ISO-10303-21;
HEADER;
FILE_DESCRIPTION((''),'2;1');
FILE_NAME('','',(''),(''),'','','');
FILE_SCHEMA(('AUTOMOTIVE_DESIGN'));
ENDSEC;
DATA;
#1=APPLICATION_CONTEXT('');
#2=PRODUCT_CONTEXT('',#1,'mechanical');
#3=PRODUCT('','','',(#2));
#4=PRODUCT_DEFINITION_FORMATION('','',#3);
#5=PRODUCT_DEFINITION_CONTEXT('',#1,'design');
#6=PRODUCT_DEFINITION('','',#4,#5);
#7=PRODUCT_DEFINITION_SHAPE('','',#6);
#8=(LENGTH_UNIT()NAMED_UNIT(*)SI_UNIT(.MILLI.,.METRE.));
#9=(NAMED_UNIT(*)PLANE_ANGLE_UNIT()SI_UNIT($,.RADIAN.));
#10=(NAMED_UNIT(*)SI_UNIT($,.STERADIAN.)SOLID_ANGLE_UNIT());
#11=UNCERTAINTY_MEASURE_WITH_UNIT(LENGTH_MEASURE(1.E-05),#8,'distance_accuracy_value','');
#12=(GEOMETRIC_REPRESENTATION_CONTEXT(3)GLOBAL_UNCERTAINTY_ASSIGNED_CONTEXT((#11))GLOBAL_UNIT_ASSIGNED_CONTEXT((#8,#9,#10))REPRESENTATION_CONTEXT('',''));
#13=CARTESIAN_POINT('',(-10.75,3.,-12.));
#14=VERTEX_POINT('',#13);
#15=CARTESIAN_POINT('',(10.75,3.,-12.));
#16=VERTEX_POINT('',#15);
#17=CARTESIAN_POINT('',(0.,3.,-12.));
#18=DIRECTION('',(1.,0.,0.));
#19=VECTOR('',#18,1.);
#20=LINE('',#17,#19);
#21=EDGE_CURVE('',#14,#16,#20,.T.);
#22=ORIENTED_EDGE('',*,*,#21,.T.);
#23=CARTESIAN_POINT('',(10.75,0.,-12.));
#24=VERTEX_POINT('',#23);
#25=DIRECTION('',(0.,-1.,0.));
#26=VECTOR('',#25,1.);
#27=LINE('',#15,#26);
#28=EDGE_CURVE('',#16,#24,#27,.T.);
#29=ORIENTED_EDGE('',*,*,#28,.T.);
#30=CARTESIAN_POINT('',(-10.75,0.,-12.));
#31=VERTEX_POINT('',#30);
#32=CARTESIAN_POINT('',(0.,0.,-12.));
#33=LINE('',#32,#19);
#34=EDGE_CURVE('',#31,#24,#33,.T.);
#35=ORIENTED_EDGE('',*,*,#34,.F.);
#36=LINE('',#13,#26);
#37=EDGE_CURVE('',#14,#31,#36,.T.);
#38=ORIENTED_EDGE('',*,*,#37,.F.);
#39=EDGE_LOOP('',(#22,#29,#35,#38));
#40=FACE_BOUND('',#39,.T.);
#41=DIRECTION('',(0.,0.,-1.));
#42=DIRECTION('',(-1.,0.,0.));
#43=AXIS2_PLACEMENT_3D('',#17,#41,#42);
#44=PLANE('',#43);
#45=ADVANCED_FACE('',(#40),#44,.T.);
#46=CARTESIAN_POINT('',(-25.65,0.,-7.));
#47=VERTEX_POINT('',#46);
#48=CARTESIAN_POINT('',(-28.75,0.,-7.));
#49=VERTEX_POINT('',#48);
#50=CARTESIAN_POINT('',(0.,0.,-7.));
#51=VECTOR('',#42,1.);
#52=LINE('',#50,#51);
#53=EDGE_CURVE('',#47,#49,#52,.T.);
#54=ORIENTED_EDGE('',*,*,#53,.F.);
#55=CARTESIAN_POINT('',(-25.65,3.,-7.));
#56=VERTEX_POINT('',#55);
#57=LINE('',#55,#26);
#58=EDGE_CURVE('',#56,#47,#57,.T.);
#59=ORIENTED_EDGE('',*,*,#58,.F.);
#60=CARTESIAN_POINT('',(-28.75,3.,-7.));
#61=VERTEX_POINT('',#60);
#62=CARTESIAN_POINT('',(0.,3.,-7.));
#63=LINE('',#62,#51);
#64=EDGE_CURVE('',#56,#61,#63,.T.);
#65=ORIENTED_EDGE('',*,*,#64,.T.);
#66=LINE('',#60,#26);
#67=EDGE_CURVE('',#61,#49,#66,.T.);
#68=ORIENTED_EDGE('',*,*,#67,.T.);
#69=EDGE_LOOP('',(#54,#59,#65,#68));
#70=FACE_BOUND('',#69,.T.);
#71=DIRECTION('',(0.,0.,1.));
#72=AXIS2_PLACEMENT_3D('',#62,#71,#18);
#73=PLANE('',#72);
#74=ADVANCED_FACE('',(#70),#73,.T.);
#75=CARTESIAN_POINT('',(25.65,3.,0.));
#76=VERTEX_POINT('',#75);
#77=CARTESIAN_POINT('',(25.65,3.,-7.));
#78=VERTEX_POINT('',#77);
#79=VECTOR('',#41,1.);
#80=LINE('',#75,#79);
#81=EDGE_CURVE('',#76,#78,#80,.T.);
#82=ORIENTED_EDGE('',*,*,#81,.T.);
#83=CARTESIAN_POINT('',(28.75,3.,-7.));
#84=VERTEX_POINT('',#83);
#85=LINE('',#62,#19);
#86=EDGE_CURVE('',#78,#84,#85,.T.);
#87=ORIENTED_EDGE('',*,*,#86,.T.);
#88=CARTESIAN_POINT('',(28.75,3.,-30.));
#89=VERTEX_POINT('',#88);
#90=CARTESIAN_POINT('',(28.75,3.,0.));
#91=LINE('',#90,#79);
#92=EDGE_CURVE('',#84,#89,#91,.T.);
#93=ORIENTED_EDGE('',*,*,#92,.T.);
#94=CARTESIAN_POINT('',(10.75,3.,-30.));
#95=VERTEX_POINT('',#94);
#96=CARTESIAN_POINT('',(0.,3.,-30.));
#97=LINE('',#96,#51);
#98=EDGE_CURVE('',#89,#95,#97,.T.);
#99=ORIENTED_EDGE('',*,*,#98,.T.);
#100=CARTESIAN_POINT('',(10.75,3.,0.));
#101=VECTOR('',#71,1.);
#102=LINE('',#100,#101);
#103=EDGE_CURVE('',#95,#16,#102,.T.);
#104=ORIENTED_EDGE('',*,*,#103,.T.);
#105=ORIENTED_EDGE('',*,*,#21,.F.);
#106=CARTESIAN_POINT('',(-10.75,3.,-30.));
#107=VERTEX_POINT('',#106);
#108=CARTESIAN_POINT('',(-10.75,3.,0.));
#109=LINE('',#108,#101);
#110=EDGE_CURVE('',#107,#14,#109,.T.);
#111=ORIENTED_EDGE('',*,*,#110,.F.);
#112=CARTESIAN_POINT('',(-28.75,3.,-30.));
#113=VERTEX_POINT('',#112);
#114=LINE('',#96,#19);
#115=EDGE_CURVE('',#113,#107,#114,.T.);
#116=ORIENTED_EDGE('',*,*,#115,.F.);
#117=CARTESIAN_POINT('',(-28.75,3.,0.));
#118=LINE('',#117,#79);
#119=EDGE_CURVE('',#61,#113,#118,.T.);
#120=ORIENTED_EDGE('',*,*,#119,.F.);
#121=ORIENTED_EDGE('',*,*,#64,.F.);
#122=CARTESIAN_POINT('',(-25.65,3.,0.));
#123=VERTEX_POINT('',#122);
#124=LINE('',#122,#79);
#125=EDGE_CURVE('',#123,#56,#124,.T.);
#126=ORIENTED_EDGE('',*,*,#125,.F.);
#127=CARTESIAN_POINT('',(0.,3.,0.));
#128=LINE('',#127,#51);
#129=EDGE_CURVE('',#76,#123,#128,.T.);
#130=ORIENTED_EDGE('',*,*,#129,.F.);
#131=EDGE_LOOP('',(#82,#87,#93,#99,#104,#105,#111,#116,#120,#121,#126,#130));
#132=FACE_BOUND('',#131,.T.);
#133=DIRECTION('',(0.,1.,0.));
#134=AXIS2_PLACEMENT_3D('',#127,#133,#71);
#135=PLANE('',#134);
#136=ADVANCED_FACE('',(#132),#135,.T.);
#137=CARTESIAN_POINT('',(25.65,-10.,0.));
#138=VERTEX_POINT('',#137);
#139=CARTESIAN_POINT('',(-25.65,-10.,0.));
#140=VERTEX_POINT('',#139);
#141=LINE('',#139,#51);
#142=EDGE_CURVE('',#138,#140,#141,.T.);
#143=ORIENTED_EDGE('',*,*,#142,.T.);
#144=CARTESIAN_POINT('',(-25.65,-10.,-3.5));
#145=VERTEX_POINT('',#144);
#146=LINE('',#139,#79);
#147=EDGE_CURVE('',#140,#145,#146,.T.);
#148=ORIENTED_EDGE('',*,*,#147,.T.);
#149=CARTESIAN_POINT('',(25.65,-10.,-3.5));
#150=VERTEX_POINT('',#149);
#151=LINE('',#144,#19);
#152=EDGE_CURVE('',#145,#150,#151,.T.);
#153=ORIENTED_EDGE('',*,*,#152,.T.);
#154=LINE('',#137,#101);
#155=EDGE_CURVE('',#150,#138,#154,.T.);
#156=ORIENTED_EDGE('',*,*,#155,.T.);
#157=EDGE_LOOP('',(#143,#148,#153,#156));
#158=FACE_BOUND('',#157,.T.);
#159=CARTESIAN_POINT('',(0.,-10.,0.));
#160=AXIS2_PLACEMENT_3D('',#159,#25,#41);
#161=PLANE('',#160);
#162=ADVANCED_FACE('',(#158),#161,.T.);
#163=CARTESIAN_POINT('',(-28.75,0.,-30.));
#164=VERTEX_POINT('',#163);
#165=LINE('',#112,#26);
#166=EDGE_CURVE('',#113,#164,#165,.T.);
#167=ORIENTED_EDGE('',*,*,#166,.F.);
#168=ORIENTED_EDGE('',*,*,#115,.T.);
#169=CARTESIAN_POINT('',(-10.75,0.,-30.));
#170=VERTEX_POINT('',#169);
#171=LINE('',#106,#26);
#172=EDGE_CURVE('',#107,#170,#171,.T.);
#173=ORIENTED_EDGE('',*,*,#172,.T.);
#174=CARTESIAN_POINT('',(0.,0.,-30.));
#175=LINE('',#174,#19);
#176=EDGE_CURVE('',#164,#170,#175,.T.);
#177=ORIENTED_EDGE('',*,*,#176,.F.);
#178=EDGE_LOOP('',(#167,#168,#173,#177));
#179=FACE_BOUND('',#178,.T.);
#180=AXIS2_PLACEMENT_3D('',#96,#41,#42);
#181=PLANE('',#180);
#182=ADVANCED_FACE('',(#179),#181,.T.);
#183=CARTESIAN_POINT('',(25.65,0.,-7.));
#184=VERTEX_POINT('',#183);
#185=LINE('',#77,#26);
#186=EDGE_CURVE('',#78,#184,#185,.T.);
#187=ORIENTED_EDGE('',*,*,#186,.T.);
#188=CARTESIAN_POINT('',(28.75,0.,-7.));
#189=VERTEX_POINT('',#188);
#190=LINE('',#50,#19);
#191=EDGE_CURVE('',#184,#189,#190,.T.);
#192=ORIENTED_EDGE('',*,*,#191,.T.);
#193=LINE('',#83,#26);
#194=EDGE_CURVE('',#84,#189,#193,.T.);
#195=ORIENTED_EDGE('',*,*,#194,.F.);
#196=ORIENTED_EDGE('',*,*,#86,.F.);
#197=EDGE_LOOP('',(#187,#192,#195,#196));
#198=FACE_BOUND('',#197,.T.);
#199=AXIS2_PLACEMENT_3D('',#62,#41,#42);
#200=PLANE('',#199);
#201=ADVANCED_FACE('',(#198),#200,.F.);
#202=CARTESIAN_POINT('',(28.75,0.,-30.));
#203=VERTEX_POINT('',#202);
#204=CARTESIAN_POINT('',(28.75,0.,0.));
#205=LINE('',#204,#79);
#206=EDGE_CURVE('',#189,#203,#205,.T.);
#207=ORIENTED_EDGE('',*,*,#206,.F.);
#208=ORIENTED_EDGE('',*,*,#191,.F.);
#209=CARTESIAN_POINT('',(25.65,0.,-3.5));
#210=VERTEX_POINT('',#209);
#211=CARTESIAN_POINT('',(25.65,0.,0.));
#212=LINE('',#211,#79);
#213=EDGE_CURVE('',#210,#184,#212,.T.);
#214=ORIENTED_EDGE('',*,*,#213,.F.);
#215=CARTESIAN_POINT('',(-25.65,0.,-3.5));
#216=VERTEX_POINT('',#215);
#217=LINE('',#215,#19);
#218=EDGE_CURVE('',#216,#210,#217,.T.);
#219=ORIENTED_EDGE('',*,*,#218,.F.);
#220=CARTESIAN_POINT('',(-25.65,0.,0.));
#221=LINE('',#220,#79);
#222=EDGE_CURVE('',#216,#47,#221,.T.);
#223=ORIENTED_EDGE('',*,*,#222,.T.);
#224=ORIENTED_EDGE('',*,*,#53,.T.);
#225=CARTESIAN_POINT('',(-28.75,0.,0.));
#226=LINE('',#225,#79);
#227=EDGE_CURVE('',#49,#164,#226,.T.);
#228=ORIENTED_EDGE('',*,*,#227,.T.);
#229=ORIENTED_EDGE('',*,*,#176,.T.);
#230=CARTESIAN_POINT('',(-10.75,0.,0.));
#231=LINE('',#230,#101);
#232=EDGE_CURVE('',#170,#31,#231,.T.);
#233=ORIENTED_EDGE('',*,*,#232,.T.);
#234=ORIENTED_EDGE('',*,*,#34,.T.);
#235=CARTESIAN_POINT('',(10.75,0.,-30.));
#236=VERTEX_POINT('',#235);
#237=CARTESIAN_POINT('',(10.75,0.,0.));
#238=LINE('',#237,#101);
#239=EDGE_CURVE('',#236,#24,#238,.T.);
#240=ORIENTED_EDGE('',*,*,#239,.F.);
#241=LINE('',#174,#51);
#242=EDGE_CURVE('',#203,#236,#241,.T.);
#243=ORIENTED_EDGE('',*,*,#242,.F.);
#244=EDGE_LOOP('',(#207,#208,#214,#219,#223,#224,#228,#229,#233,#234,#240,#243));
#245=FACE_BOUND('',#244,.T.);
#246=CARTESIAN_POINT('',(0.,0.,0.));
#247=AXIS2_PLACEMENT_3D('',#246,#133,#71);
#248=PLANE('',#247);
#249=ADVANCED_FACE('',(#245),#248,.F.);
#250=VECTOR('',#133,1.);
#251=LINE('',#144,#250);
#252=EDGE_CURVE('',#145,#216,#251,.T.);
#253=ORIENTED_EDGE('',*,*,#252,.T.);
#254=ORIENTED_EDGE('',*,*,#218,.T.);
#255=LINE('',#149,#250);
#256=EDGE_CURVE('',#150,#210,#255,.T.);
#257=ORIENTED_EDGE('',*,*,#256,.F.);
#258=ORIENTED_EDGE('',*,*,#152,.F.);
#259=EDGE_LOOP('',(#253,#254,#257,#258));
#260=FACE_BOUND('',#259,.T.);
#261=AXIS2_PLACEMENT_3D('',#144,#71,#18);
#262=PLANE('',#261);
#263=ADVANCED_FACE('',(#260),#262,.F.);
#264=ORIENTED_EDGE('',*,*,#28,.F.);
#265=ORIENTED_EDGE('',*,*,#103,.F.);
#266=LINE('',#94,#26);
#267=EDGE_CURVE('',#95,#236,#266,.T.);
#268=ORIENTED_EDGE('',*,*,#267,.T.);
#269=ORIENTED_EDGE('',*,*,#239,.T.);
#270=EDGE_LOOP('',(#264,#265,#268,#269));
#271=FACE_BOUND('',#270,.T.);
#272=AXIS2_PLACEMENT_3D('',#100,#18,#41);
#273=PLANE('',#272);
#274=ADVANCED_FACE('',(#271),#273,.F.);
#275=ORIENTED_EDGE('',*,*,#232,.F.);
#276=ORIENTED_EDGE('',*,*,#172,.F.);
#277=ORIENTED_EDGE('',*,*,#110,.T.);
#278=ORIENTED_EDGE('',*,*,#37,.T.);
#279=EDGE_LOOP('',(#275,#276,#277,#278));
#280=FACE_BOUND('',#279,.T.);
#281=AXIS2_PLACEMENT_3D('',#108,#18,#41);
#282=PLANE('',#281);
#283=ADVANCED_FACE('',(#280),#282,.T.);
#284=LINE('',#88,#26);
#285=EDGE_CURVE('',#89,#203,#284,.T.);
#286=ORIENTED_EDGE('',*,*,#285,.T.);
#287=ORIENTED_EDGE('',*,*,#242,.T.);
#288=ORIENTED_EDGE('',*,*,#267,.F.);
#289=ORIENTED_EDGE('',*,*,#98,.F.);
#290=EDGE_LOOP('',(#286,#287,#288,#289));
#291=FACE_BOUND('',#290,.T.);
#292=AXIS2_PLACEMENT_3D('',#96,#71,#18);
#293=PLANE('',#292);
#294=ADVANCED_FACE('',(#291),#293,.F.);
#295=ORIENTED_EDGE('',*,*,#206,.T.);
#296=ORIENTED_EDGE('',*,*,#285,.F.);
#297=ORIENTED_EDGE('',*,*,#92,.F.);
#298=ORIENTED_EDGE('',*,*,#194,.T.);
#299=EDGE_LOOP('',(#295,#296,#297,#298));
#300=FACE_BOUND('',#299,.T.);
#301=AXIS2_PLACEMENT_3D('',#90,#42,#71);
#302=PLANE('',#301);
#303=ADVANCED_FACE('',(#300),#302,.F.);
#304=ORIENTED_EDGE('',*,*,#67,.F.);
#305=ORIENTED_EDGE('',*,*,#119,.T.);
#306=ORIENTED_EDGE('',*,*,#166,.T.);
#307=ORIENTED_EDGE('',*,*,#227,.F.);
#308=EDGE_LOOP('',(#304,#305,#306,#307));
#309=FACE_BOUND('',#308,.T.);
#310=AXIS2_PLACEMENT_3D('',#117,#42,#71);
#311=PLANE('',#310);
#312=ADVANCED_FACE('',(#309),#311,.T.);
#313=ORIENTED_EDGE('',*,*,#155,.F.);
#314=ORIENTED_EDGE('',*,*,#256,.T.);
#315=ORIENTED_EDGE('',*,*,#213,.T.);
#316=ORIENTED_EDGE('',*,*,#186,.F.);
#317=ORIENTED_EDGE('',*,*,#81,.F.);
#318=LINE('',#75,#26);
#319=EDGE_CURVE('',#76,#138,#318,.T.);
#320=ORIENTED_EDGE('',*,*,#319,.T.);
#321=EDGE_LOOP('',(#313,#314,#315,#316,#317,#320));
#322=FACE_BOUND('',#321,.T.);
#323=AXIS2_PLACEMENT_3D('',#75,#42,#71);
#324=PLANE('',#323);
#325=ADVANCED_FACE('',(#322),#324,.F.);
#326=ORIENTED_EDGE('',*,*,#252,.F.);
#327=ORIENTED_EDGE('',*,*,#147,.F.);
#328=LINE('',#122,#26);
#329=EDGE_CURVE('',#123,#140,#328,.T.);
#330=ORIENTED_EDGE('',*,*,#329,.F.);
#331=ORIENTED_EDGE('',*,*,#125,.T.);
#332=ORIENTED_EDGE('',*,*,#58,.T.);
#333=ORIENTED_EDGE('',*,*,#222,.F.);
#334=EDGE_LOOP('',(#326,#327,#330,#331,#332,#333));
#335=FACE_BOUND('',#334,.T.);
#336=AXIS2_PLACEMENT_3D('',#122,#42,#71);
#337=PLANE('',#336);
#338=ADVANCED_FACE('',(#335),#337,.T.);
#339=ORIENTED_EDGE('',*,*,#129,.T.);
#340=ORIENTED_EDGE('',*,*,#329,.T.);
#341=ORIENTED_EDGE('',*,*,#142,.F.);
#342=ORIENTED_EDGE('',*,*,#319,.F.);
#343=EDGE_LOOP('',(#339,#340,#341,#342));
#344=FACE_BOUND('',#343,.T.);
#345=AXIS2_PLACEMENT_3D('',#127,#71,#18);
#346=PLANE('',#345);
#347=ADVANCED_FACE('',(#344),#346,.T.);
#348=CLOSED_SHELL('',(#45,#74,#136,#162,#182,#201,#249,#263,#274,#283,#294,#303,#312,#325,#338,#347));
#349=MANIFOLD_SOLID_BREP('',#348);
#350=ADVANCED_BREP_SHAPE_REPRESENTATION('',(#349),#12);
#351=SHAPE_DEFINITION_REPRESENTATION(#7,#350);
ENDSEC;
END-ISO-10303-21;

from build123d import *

# Parameters (mm, degrees)
BOSS_EXTRUDE1_DEPTH = 3
SKETCH3_W           = 51.3
SKETCH3_H           = 3.5
BOSS_EXTRUDE2_DEPTH = 10


with BuildPart() as part:
    # Sketch2 → Boss-Extrude1 (new body)
    with BuildSketch(Plane(origin=(0, 0, 0), x_dir=(1, 0, 0), z_dir=(0, 1, 0))):
        Polygon((-25.65, 0), (0, 0), (0, 12), (-10.75, 12), (-10.75, 30), (-28.75, 30), (-28.75, 7), (-25.65, 7), align=None)
        Polygon((0, 0), (25.65, 0), (25.65, 7), (28.75, 7), (28.75, 30), (10.75, 30), (10.75, 12), (0, 12), align=None)
    extrude(amount=BOSS_EXTRUDE1_DEPTH)

    # Sketch3 → Boss-Extrude2 (add)
    with BuildSketch(Plane.XZ):
        with Locations((0, -1.75)):
            Rectangle(SKETCH3_W, SKETCH3_H)
    extrude(amount=BOSS_EXTRUDE2_DEPTH)


solid = part.part
